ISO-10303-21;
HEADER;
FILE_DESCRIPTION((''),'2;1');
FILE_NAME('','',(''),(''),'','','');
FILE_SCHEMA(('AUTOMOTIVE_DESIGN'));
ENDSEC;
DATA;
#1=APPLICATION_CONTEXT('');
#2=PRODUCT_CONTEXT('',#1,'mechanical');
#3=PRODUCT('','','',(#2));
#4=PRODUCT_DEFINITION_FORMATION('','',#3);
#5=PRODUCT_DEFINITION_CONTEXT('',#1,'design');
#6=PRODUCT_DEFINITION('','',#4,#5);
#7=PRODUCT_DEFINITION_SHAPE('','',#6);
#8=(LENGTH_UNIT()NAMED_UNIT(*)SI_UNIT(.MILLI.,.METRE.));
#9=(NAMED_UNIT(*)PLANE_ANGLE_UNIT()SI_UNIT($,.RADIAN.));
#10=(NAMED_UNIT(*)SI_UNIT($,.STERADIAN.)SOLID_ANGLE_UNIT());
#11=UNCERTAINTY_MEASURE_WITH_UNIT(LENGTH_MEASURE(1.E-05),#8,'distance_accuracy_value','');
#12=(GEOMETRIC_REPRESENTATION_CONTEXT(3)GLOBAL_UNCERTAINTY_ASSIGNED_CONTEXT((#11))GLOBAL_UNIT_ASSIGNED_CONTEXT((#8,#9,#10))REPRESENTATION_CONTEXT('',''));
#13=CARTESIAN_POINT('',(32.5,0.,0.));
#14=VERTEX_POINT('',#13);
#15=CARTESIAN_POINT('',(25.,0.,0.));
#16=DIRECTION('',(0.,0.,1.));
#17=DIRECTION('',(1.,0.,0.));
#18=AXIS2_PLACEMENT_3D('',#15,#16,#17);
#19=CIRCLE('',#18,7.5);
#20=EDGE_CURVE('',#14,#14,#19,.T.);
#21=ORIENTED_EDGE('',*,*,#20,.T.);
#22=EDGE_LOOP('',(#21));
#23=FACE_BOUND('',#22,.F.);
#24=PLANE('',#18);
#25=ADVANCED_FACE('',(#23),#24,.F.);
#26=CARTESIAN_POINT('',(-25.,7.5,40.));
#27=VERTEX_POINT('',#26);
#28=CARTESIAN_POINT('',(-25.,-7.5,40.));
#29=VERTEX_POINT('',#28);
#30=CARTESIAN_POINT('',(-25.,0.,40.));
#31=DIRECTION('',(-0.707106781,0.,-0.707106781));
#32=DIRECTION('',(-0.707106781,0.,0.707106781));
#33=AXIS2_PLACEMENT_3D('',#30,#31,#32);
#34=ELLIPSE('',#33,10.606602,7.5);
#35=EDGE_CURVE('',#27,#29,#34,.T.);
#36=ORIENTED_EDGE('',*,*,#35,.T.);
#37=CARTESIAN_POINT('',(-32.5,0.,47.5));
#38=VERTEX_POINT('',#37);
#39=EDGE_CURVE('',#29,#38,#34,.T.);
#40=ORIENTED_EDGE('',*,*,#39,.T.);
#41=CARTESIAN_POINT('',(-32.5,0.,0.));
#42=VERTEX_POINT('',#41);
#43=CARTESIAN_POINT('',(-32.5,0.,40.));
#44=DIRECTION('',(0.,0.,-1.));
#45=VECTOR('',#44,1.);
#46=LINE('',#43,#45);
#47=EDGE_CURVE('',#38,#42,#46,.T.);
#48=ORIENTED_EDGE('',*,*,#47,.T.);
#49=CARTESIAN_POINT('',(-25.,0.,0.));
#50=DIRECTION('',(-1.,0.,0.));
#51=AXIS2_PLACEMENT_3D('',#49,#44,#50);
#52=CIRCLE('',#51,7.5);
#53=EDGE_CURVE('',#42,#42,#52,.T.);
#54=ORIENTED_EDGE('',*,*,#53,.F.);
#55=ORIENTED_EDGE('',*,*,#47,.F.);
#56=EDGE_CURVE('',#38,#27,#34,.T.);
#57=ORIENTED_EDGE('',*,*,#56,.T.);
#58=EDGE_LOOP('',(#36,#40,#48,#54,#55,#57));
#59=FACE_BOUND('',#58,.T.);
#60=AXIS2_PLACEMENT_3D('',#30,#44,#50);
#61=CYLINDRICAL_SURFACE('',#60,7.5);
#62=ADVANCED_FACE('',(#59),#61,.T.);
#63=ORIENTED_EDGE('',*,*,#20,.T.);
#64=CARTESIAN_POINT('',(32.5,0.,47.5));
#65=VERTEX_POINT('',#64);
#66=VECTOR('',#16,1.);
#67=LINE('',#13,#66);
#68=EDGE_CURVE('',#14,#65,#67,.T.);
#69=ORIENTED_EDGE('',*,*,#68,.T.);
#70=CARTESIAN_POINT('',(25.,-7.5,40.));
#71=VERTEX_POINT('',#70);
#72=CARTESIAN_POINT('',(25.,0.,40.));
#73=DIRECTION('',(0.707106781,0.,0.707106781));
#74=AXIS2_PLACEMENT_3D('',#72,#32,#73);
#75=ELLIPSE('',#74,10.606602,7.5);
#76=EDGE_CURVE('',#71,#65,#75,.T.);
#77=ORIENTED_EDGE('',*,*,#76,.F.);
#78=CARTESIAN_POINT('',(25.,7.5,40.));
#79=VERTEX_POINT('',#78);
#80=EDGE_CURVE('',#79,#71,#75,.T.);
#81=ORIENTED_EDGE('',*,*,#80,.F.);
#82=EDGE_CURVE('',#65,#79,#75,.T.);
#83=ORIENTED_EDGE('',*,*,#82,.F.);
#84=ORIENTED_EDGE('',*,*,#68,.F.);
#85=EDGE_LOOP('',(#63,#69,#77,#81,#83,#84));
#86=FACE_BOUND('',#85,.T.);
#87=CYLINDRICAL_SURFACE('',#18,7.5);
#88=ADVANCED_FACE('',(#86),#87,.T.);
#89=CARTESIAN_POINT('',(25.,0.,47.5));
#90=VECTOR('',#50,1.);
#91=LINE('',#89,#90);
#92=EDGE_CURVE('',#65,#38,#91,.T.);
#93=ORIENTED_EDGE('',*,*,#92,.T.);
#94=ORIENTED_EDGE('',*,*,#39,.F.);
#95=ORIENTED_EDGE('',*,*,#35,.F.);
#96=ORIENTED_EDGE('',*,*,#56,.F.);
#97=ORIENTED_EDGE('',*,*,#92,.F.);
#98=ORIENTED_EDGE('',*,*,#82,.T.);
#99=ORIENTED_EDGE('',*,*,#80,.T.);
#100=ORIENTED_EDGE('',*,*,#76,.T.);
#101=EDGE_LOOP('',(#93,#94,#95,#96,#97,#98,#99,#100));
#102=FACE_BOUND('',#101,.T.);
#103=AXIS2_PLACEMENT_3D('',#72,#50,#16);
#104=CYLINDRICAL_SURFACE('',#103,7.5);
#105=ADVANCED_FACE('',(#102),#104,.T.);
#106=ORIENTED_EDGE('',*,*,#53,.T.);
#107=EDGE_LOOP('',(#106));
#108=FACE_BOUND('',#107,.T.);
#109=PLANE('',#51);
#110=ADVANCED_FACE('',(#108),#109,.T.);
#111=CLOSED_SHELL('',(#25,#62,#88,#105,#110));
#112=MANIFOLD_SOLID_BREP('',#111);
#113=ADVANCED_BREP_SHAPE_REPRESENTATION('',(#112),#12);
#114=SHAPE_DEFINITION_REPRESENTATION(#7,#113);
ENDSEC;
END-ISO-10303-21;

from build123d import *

# Parameters (mm, degrees)
F1_R = 7.5


with BuildPart() as f2:
    # F2: sweep along a path in F0
    with BuildLine(Plane.XZ) as f2_path:
        Line((25, 0), (25, 40))
        Line((25, 40), (-25, 40))
        Line((-25, 40), (-25, 0))
    # F1 (on Top) → F2 (sweep)
    with BuildSketch(Plane.XY):
        with Locations((25, 0)):
            Circle(F1_R)
    sweep(path=f2_path.line, transition=Transition.RIGHT)


solid = f2.part
